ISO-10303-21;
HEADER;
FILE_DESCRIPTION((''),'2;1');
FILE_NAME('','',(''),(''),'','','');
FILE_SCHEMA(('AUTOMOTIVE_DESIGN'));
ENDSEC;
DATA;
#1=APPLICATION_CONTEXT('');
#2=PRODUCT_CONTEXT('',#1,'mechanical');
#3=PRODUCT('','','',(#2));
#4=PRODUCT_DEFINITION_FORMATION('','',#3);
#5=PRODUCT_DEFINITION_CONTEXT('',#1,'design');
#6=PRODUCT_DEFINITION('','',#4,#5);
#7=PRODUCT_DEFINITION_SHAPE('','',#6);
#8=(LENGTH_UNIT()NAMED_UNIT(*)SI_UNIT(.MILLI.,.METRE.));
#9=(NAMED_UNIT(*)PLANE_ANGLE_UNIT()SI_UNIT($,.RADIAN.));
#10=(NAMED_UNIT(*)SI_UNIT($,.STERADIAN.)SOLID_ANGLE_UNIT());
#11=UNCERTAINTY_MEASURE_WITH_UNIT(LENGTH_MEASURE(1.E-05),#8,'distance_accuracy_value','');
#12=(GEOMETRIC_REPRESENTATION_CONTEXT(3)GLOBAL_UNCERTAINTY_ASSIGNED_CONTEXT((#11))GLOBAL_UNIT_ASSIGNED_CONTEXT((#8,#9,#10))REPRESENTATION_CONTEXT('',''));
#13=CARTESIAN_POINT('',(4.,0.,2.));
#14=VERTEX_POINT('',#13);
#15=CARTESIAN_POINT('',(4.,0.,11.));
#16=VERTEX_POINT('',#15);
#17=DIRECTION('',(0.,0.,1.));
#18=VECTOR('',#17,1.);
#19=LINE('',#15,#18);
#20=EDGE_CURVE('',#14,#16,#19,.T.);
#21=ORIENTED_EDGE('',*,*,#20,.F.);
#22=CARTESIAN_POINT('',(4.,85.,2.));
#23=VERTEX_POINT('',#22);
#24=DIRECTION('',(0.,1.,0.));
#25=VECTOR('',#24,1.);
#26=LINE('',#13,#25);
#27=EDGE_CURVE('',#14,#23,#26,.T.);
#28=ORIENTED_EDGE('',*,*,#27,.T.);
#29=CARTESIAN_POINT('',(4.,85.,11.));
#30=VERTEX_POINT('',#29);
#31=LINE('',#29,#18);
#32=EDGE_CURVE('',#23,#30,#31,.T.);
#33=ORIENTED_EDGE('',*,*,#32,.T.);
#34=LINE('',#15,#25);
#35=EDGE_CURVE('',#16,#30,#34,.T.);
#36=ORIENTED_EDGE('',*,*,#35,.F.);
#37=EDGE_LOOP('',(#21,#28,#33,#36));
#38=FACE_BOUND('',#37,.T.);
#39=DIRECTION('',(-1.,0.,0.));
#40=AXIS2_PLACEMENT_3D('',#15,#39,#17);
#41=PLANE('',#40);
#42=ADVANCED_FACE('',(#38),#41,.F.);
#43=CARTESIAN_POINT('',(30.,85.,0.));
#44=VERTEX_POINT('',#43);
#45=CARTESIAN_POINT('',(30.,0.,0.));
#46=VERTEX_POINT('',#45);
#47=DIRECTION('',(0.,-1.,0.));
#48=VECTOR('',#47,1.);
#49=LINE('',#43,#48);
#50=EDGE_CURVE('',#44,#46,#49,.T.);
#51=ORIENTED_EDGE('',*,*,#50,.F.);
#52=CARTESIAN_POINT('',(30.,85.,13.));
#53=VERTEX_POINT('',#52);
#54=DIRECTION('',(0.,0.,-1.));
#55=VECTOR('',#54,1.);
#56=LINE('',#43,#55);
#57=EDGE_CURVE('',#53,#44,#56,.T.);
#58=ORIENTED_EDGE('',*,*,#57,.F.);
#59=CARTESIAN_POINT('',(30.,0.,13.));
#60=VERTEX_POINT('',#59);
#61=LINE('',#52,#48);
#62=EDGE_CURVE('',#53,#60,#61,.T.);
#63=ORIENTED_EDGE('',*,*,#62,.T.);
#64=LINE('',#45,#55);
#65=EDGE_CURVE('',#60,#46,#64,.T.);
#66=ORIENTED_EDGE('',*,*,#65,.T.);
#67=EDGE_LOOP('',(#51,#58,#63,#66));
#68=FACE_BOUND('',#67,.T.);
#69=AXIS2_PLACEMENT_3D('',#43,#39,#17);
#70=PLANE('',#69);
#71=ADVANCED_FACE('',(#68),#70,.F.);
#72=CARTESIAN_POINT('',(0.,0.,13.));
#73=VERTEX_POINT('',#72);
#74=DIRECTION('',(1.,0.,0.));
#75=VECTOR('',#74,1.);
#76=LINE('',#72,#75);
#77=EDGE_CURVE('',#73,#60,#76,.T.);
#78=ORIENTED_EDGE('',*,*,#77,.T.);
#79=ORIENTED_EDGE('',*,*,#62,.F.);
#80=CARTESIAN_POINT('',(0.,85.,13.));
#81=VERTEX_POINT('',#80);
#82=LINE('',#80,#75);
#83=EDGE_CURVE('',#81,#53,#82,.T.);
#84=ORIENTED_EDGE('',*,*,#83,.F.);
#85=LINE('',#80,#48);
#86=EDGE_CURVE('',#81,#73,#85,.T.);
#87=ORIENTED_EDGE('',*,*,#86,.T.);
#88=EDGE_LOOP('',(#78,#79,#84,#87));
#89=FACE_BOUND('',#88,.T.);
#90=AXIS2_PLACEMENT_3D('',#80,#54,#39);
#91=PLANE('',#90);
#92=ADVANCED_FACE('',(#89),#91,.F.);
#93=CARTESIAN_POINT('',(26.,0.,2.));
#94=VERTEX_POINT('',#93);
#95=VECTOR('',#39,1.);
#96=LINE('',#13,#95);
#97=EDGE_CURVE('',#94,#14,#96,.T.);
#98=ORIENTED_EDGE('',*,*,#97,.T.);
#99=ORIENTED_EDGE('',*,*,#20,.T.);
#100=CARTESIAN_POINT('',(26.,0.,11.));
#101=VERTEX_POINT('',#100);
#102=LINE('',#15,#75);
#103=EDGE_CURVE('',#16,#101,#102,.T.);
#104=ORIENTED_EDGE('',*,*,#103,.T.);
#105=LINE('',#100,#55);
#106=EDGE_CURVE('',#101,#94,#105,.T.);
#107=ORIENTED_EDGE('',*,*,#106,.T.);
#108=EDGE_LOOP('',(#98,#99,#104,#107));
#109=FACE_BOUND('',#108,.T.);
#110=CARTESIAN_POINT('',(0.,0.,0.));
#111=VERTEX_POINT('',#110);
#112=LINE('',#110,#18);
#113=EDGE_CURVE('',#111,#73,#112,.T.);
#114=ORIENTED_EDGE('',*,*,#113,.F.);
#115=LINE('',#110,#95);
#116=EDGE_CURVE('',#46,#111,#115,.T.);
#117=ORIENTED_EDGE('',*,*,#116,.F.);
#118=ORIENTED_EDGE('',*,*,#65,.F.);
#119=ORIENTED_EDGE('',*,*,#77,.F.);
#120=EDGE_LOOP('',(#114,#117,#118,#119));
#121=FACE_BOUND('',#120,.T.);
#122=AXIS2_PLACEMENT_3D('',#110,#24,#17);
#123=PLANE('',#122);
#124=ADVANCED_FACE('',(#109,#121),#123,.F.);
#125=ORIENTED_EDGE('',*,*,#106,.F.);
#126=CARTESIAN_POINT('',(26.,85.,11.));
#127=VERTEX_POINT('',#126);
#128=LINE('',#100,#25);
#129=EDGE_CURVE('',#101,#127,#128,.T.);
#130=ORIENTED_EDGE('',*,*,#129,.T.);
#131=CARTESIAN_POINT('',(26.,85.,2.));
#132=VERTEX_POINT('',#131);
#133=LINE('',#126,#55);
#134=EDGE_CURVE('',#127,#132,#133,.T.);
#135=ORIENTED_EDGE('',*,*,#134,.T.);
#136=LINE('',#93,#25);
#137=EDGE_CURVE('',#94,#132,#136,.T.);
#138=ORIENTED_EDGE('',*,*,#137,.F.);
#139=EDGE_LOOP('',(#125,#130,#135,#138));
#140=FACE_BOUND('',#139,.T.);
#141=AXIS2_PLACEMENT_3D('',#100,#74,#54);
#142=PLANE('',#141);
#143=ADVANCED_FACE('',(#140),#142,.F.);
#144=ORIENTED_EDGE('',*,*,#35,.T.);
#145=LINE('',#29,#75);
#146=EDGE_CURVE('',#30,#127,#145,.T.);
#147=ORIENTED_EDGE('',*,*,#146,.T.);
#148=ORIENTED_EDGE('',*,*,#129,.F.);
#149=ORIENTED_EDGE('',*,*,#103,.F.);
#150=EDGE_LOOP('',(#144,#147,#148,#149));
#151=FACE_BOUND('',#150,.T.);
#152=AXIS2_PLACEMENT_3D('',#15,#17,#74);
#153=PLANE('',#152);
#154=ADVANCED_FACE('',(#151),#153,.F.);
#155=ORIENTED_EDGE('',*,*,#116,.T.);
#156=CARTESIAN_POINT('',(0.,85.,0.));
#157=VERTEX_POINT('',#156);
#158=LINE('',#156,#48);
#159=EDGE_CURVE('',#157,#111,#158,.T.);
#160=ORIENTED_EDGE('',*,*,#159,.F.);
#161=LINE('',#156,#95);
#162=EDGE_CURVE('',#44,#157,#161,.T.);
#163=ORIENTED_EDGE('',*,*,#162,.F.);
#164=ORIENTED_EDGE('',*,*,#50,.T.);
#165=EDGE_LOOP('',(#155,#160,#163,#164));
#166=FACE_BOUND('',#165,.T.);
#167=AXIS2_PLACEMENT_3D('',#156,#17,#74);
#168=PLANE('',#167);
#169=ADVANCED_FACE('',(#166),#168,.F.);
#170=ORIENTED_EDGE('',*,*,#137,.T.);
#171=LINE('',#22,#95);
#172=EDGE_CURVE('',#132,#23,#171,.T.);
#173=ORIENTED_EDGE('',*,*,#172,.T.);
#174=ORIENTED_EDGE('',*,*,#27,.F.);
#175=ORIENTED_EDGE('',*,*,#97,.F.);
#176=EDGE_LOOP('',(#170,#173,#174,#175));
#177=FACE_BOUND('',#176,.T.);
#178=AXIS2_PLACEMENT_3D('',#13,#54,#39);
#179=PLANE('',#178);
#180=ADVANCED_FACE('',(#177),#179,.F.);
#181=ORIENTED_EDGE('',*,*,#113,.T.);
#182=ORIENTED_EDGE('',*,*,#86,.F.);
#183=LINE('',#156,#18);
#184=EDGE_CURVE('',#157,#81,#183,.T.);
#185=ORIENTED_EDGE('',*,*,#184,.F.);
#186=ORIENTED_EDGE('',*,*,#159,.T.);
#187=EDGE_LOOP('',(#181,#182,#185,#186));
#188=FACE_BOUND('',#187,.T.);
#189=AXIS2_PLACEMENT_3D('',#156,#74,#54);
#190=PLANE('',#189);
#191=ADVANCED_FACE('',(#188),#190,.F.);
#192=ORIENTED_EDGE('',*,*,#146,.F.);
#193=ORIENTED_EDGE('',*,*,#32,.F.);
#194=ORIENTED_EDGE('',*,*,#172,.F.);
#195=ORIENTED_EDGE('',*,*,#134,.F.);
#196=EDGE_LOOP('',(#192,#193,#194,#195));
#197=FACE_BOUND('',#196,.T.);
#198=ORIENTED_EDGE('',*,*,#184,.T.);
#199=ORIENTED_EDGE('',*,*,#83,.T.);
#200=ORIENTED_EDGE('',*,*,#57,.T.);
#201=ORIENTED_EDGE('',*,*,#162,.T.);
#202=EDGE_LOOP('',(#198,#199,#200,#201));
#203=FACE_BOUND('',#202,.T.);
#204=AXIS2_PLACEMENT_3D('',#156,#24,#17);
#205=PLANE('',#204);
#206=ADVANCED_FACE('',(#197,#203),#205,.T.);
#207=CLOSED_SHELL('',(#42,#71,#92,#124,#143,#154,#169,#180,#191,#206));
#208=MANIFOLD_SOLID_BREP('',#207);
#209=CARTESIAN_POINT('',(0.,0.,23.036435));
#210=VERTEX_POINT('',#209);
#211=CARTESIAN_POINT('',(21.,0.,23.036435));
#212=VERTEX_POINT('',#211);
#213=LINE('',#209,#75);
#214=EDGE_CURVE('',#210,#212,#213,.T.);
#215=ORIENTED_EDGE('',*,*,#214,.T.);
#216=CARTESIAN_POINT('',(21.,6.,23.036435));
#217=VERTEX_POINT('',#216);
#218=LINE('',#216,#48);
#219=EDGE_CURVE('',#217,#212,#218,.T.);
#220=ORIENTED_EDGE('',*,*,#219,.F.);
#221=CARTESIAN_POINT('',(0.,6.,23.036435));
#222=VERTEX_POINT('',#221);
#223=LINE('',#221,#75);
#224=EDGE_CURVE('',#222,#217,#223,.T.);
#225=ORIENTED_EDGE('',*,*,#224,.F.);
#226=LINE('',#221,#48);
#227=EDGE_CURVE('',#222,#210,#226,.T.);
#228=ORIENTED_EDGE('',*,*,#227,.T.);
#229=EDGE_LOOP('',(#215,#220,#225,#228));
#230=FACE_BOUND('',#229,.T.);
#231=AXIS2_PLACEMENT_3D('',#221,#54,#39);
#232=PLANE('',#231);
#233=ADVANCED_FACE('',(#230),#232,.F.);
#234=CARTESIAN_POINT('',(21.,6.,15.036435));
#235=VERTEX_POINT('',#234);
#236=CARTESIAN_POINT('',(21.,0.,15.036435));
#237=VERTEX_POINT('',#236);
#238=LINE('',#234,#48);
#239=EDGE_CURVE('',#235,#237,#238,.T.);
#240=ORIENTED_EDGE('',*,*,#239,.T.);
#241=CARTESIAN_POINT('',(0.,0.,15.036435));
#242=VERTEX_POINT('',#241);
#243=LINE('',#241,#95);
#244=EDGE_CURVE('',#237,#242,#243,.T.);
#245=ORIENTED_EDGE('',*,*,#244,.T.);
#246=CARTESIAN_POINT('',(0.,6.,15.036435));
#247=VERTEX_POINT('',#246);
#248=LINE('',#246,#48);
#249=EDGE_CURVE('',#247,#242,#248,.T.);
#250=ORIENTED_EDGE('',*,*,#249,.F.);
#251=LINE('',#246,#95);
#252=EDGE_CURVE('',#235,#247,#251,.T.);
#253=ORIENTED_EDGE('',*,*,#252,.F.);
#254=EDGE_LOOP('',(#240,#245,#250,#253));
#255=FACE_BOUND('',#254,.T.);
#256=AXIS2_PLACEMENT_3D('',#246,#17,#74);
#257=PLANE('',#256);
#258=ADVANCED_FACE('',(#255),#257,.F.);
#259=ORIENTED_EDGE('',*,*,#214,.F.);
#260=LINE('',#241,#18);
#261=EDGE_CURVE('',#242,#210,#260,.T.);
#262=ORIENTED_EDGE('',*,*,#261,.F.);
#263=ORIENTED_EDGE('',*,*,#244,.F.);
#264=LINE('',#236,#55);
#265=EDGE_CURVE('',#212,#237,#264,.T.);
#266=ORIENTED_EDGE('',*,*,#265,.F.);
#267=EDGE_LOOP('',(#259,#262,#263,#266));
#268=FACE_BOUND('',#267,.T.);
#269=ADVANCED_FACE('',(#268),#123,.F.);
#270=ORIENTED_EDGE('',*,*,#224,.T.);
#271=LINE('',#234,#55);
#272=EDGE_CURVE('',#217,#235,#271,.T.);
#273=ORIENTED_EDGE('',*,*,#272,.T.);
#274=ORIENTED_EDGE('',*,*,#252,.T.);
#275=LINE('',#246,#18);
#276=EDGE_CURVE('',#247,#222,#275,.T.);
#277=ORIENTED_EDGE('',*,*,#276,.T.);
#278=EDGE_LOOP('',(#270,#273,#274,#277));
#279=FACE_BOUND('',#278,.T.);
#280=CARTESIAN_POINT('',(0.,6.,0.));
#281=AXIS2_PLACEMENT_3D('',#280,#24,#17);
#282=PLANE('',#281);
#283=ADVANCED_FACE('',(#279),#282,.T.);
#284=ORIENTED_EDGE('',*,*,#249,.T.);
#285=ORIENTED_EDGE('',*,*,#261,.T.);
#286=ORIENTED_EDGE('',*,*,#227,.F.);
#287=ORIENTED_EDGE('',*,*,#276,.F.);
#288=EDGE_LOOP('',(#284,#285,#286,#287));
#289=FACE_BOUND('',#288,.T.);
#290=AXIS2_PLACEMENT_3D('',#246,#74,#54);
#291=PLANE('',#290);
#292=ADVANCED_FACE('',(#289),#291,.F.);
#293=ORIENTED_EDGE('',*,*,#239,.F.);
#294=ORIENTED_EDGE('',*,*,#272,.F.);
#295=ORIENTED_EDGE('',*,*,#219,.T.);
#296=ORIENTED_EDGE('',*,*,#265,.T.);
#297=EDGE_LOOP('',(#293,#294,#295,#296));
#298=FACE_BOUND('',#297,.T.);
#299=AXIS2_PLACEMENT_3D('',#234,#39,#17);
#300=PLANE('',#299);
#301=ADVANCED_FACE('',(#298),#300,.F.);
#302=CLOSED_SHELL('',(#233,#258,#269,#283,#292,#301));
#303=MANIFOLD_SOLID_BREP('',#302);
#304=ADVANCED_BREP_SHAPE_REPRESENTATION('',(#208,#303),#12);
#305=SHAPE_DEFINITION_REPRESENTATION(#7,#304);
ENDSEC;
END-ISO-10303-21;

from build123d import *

# Parameters (mm, degrees)
SKETCH1_W           = 30
SKETCH1_H           = 13
BOSS_EXTRUDE1_DEPTH = 85
SKETCH2_W           = 22
SKETCH2_H           = 9
CUT_EXTRUDE2_DEPTH  = 85
SKETCH4_W           = 21
SKETCH4_H           = 8
BOSS_EXTRUDE2_DEPTH = 6


with BuildPart() as part:
    # Sketch1 → Boss-Extrude1 (new body)
    with BuildSketch(Plane(origin=(0, 0, 0), x_dir=(1, 0, 0), z_dir=(0, 1, 0))):
        with Locations((15, -6.5)):
            Rectangle(SKETCH1_W, SKETCH1_H)
    extrude(amount=BOSS_EXTRUDE1_DEPTH)

    # Sketch2 → Cut-Extrude2 (cut)
    with BuildSketch(Plane(origin=(0, 85, 0), x_dir=(1, 0, 0), z_dir=(0, 1, 0))):
        with Locations((15, -6.5)):
            Rectangle(SKETCH2_W, SKETCH2_H)
    extrude(amount=-CUT_EXTRUDE2_DEPTH, mode=Mode.SUBTRACT)


with BuildPart() as body_2:
    # Sketch4 → Boss-Extrude2 (new body)
    with BuildSketch(Plane(origin=(0, 0, 0), x_dir=(1, 0, 0), z_dir=(0, 1, 0))):
        with Locations((10.5, -19.036435156)):
            Rectangle(SKETCH4_W, SKETCH4_H)
    extrude(amount=BOSS_EXTRUDE2_DEPTH)


solid = Compound([part.part, body_2.part])
